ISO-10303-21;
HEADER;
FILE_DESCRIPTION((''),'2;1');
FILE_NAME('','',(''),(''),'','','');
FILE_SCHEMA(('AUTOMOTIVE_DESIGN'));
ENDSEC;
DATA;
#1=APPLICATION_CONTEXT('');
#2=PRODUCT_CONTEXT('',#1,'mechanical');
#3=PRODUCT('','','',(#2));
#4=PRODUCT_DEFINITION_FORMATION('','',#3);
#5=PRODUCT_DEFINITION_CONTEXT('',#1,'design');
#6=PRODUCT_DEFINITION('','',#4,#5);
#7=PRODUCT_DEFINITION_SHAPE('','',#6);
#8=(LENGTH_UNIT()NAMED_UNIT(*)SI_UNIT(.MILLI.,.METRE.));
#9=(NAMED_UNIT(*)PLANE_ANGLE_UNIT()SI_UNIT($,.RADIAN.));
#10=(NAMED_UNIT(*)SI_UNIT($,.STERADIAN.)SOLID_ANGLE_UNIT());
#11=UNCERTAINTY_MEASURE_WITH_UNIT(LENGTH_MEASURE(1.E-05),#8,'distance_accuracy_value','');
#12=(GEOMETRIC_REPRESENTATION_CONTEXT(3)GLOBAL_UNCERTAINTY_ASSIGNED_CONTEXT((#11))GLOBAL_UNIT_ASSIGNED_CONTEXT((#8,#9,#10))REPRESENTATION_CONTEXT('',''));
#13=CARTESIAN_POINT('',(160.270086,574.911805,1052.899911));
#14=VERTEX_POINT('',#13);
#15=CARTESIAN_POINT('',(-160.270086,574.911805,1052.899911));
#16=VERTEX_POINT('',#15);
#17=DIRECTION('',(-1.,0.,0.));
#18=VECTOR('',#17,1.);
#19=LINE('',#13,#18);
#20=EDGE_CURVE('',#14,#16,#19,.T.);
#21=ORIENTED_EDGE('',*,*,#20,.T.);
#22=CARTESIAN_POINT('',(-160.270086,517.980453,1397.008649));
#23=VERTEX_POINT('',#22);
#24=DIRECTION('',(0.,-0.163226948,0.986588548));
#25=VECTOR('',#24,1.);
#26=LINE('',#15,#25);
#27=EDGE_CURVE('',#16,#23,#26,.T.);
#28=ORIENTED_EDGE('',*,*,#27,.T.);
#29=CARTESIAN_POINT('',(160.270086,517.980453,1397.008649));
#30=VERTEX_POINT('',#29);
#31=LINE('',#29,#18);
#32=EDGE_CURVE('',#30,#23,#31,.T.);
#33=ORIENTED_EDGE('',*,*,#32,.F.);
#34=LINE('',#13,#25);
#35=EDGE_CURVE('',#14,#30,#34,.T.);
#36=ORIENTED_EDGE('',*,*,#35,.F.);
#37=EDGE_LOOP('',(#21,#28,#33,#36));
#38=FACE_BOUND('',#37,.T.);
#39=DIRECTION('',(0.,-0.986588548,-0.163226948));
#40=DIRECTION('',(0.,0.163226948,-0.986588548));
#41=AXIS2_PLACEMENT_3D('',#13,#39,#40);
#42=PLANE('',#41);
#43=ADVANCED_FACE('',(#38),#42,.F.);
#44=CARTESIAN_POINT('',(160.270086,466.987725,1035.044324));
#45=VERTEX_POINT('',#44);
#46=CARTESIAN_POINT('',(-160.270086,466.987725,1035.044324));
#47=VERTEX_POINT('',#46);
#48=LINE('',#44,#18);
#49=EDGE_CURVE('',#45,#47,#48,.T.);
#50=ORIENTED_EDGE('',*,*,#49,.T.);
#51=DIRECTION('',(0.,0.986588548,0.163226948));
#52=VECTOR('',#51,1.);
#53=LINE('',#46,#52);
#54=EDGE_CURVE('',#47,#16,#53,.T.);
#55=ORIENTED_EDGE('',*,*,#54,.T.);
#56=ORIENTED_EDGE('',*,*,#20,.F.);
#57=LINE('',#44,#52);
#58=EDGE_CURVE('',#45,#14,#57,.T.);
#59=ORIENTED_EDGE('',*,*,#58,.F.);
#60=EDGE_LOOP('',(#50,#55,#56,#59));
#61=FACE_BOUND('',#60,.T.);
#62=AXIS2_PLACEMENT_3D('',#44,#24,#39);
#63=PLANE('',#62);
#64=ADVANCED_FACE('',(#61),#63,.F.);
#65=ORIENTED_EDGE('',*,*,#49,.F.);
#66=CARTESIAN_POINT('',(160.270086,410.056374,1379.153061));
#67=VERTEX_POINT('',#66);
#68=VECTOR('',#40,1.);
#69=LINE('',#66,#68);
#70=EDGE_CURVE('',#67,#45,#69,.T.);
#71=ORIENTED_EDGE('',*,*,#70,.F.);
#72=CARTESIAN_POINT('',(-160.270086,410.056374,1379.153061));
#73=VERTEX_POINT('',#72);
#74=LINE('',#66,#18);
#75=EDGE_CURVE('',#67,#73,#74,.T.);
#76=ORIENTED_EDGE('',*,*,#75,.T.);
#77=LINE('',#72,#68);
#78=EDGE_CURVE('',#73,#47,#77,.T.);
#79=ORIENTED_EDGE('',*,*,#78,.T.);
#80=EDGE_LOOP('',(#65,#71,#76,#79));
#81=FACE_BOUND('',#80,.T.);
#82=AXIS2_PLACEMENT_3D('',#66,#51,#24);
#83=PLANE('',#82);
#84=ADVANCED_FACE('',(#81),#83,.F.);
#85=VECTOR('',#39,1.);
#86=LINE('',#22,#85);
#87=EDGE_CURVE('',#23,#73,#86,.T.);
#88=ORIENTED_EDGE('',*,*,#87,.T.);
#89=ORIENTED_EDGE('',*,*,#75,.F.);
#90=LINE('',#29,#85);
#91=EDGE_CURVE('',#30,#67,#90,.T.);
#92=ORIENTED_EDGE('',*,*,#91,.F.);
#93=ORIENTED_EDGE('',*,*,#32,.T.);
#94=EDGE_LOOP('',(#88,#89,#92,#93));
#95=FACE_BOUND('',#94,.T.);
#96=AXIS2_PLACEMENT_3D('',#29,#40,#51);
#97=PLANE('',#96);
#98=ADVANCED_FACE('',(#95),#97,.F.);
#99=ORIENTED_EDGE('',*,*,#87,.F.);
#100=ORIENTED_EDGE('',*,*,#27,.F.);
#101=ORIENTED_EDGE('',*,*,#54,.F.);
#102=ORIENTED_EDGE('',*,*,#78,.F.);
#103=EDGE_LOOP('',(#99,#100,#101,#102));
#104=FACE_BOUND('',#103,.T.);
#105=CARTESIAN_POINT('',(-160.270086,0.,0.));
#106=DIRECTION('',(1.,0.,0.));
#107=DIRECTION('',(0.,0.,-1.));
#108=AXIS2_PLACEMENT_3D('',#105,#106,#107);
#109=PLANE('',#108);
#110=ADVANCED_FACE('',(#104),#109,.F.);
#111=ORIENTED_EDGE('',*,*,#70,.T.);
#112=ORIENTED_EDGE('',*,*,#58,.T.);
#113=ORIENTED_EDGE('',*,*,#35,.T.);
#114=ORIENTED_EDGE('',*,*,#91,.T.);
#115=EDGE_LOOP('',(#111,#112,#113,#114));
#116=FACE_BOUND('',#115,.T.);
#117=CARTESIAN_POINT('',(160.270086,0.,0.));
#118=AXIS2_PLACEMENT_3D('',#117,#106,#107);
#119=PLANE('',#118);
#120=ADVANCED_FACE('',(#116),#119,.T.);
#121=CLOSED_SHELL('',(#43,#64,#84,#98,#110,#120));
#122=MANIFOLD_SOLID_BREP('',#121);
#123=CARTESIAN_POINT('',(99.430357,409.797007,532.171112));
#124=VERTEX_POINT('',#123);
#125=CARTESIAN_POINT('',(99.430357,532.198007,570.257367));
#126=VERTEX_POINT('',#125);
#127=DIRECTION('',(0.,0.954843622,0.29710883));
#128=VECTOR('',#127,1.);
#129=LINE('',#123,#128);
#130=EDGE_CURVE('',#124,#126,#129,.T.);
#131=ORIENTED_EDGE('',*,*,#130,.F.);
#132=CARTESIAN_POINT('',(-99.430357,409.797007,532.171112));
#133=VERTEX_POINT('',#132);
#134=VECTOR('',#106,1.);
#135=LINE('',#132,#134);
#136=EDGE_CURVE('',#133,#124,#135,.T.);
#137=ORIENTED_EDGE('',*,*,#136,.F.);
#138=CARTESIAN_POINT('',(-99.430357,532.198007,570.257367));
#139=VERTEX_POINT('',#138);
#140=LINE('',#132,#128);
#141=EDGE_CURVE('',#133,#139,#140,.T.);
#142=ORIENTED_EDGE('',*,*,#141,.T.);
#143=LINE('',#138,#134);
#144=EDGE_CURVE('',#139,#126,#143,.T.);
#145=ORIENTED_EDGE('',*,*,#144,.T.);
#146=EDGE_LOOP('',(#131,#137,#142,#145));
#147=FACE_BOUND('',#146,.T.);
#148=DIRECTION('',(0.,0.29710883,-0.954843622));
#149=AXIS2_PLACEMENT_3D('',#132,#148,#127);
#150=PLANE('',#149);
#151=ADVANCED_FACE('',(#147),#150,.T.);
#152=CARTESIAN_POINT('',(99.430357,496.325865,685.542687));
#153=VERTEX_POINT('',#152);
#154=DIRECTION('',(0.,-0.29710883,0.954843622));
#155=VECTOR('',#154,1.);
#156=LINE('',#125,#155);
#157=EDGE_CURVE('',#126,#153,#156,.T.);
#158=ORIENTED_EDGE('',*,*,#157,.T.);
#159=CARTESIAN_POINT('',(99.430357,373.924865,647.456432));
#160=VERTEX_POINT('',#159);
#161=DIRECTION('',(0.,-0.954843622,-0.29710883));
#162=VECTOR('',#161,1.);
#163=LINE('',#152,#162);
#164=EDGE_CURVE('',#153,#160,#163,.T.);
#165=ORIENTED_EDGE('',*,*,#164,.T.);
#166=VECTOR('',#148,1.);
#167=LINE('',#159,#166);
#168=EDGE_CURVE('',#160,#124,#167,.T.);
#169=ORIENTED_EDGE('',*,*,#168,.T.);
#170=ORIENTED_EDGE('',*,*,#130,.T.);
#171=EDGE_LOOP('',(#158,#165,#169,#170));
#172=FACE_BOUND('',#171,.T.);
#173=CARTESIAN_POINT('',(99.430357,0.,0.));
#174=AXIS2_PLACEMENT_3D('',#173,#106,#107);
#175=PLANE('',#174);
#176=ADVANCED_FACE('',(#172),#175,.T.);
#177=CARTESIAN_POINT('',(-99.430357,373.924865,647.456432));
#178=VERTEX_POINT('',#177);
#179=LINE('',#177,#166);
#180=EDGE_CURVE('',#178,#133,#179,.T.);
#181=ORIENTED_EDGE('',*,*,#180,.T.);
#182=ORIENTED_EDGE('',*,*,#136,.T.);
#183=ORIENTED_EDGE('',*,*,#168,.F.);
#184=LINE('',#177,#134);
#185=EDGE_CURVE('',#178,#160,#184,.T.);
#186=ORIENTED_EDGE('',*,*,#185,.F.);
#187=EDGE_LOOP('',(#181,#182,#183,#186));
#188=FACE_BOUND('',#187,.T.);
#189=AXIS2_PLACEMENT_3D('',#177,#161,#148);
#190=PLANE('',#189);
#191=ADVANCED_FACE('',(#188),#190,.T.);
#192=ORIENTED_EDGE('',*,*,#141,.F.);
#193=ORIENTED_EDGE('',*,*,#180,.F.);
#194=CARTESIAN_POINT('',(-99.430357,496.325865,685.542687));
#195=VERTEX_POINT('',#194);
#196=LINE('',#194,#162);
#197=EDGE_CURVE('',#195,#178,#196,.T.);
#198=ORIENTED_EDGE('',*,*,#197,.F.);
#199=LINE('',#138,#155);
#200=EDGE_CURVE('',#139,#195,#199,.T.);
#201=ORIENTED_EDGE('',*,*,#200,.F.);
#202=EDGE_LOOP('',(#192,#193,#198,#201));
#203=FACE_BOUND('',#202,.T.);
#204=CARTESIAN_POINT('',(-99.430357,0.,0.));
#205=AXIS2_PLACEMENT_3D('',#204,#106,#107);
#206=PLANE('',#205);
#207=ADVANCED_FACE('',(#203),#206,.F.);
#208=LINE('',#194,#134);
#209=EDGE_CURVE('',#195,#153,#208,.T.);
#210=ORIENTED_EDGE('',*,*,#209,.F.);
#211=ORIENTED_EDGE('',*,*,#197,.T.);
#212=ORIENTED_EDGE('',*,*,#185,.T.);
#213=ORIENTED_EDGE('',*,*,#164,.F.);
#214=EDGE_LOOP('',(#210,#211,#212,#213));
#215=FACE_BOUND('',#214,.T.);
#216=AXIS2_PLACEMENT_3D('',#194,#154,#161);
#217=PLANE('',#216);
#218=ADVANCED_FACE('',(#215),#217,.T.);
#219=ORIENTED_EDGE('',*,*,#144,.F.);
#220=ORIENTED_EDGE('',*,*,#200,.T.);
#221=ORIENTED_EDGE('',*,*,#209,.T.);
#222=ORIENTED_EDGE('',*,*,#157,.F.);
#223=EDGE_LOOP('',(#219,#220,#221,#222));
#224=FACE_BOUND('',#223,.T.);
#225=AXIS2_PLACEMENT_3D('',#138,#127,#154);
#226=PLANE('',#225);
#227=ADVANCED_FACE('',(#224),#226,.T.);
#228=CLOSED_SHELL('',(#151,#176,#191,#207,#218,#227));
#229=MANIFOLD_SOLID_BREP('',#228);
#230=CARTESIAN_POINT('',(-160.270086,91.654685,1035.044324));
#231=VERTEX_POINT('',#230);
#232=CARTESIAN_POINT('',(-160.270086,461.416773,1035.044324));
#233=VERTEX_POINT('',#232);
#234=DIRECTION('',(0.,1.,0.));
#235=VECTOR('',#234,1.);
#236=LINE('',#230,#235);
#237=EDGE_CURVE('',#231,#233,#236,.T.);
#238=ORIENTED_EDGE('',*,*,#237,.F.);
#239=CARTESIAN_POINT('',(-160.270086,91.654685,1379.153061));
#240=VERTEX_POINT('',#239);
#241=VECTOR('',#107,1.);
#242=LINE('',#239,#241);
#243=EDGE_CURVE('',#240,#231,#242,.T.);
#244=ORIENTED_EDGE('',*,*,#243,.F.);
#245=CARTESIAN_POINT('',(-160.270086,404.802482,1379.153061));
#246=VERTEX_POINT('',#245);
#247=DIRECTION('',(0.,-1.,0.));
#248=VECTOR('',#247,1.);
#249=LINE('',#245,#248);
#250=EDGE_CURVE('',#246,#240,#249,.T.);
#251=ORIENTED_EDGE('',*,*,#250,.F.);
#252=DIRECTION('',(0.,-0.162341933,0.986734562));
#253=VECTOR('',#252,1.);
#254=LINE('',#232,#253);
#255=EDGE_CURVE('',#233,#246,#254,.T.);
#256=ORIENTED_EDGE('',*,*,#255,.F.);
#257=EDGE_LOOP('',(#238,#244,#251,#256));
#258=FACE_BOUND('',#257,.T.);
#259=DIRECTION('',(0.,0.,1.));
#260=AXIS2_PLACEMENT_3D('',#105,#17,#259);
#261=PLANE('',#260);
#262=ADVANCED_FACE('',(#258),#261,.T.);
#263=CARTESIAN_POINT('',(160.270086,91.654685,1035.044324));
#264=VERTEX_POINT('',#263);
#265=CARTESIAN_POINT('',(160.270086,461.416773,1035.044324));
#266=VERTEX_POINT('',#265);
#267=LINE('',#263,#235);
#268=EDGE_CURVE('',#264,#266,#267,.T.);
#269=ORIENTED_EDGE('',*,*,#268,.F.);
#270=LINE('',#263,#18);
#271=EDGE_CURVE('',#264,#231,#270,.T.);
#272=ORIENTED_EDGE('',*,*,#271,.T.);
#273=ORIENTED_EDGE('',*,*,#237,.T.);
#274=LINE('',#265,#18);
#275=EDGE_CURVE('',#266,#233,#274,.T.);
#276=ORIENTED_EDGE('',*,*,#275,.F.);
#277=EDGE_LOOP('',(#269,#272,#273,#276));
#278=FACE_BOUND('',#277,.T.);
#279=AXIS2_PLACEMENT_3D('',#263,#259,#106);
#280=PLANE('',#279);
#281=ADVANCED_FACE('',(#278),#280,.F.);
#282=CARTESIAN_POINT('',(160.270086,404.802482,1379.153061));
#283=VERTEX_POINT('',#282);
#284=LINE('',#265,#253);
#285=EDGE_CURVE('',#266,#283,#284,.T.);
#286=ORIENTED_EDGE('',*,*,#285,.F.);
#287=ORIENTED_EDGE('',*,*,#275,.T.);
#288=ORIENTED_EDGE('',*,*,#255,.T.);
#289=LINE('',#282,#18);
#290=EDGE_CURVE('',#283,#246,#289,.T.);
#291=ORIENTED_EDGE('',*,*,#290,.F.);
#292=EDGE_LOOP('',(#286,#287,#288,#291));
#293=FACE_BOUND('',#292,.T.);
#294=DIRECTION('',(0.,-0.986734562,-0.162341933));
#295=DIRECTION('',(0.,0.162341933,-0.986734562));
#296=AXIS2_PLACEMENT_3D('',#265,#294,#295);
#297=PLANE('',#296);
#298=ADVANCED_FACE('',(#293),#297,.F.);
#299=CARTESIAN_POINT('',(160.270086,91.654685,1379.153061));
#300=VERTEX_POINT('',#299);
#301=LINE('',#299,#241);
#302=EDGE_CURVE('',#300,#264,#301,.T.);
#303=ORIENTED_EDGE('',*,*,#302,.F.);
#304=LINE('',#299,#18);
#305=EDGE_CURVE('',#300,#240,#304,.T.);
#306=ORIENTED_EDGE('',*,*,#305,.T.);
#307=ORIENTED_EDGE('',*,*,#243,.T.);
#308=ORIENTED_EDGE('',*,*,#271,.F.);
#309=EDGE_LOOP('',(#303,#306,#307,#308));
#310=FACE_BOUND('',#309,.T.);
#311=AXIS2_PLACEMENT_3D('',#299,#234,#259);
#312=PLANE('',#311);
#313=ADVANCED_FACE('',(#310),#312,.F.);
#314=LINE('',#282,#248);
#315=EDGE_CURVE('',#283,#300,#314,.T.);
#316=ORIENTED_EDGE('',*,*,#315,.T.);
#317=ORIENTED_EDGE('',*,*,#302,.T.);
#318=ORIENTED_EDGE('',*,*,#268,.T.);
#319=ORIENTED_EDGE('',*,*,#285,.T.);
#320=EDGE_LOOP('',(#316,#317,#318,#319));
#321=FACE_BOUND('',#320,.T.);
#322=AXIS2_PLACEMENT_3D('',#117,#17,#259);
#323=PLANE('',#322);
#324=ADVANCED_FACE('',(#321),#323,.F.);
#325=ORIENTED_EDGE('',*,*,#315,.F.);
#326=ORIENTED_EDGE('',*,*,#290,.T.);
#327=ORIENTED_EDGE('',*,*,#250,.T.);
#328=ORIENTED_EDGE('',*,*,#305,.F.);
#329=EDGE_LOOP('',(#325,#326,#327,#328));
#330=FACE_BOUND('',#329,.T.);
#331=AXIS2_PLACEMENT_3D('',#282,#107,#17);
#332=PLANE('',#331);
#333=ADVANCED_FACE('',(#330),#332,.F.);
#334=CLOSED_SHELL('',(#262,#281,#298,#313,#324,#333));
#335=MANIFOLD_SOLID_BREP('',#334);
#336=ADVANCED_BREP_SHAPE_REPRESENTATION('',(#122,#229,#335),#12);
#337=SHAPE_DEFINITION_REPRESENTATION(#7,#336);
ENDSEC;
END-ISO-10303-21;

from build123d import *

# Parameters (mm, degrees)
BOSS_EXTRUDE1_START = -160.270086
BOSS_EXTRUDE1_DEPTH = 320.540172
BOSS_EXTRUDE2_START = -160.270086
BOSS_EXTRUDE2_DEPTH = 320.540172
BOSS_EXTRUDE3_START = 99.430357
BOSS_EXTRUDE3_DEPTH = 198.860714


with BuildPart() as part:
    # Sketch2 → Boss-Extrude1 (new body)
    with BuildSketch(Plane(origin=(0, 0, 0), x_dir=(0, 0, -1), z_dir=(1, 0, 0)).offset(BOSS_EXTRUDE1_START)):
        Polygon((-1035.044323606, 461.416773344), (-1379.153061364, 404.802482299), (-1379.153061364, 91.654684957), (-1035.044323606, 91.654684957), align=None)
    extrude(amount=BOSS_EXTRUDE1_DEPTH)


with BuildPart() as body_2:
    # Sketch3 → Boss-Extrude2 (new body)
    with BuildSketch(Plane(origin=(0, 0, 0), x_dir=(0, 0, -1), z_dir=(1, 0, 0)).offset(BOSS_EXTRUDE2_START)):
        Polygon((-1379.153061364, 410.05637394), (-1035.044323606, 466.987725211), (-1052.899911105, 574.91180463), (-1397.008648862, 517.980453359), align=None)
    extrude(amount=BOSS_EXTRUDE2_DEPTH)


with BuildPart() as body_3:
    # Sketch4 → Boss-Extrude3 (new body)
    with BuildSketch(Plane(origin=(0, 0, 0), x_dir=(0, 0, -1), z_dir=(1, 0, 0)).offset(BOSS_EXTRUDE3_START)):
        Polygon((-647.4564319, 373.924864574), (-532.171112015, 409.797007159), (-570.257367388, 532.19800742), (-685.542687273, 496.325864836), align=None)
    extrude(amount=-BOSS_EXTRUDE3_DEPTH)


solid = Compound([part.part, body_2.part, body_3.part])
